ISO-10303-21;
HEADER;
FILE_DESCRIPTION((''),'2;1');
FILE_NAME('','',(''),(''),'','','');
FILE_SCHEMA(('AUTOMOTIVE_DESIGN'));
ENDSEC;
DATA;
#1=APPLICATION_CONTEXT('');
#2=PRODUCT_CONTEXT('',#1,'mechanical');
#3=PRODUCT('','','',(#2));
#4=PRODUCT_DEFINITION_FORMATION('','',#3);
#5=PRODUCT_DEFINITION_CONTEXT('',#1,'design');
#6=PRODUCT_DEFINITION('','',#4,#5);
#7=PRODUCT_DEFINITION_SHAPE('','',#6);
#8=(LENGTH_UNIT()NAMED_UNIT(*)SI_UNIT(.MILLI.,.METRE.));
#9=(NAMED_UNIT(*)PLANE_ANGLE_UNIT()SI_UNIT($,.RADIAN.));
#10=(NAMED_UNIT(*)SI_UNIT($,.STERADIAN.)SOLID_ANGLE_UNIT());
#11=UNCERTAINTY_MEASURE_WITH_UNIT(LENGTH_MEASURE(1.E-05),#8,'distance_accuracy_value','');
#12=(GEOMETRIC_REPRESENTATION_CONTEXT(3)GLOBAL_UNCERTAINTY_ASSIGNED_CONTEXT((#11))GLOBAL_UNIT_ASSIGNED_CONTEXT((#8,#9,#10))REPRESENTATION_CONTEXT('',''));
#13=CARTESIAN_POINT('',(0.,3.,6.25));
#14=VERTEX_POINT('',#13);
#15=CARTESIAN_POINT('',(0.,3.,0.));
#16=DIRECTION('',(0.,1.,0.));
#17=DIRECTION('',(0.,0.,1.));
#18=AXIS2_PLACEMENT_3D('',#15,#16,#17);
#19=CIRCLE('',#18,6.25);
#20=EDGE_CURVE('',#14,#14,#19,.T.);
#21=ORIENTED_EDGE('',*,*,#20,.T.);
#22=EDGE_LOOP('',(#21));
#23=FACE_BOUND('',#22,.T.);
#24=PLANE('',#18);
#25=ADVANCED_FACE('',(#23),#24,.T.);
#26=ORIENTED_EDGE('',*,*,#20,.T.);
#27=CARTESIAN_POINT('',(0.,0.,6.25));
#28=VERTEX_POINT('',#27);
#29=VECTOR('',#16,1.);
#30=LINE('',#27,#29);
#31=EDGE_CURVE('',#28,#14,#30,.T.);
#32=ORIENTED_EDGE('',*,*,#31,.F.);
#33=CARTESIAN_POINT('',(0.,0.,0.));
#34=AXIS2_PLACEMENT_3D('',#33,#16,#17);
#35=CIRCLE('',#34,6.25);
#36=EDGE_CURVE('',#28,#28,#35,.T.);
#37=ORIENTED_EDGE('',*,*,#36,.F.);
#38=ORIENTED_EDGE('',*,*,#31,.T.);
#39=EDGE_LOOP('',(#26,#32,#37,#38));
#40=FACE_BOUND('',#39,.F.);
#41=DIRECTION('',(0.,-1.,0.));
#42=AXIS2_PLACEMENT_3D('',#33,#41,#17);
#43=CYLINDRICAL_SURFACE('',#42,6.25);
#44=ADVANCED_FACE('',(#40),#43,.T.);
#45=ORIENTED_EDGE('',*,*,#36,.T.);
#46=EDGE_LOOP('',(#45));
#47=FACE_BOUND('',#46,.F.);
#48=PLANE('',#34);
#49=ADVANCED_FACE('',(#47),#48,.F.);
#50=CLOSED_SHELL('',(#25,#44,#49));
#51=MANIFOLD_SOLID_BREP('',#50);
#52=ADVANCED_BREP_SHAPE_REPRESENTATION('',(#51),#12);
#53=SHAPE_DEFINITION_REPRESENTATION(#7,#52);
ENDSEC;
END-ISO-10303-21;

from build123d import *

# Parameters (mm, degrees)
SKETCH_1_R      = 6.25
EXTRUDE_1_DEPTH = 3


with BuildPart() as part:
    # 草图1 → 凸台-拉伸1 (new body)
    with BuildSketch(Plane(origin=(0, 0, 0), x_dir=(1, 0, 0), z_dir=(0, 1, 0))):
        with Locations(Location((0, 0, 0), (0, 0, 270))):  # turned: the seam where the file's is
            Circle(SKETCH_1_R)
    extrude(amount=EXTRUDE_1_DEPTH)


solid = part.part
